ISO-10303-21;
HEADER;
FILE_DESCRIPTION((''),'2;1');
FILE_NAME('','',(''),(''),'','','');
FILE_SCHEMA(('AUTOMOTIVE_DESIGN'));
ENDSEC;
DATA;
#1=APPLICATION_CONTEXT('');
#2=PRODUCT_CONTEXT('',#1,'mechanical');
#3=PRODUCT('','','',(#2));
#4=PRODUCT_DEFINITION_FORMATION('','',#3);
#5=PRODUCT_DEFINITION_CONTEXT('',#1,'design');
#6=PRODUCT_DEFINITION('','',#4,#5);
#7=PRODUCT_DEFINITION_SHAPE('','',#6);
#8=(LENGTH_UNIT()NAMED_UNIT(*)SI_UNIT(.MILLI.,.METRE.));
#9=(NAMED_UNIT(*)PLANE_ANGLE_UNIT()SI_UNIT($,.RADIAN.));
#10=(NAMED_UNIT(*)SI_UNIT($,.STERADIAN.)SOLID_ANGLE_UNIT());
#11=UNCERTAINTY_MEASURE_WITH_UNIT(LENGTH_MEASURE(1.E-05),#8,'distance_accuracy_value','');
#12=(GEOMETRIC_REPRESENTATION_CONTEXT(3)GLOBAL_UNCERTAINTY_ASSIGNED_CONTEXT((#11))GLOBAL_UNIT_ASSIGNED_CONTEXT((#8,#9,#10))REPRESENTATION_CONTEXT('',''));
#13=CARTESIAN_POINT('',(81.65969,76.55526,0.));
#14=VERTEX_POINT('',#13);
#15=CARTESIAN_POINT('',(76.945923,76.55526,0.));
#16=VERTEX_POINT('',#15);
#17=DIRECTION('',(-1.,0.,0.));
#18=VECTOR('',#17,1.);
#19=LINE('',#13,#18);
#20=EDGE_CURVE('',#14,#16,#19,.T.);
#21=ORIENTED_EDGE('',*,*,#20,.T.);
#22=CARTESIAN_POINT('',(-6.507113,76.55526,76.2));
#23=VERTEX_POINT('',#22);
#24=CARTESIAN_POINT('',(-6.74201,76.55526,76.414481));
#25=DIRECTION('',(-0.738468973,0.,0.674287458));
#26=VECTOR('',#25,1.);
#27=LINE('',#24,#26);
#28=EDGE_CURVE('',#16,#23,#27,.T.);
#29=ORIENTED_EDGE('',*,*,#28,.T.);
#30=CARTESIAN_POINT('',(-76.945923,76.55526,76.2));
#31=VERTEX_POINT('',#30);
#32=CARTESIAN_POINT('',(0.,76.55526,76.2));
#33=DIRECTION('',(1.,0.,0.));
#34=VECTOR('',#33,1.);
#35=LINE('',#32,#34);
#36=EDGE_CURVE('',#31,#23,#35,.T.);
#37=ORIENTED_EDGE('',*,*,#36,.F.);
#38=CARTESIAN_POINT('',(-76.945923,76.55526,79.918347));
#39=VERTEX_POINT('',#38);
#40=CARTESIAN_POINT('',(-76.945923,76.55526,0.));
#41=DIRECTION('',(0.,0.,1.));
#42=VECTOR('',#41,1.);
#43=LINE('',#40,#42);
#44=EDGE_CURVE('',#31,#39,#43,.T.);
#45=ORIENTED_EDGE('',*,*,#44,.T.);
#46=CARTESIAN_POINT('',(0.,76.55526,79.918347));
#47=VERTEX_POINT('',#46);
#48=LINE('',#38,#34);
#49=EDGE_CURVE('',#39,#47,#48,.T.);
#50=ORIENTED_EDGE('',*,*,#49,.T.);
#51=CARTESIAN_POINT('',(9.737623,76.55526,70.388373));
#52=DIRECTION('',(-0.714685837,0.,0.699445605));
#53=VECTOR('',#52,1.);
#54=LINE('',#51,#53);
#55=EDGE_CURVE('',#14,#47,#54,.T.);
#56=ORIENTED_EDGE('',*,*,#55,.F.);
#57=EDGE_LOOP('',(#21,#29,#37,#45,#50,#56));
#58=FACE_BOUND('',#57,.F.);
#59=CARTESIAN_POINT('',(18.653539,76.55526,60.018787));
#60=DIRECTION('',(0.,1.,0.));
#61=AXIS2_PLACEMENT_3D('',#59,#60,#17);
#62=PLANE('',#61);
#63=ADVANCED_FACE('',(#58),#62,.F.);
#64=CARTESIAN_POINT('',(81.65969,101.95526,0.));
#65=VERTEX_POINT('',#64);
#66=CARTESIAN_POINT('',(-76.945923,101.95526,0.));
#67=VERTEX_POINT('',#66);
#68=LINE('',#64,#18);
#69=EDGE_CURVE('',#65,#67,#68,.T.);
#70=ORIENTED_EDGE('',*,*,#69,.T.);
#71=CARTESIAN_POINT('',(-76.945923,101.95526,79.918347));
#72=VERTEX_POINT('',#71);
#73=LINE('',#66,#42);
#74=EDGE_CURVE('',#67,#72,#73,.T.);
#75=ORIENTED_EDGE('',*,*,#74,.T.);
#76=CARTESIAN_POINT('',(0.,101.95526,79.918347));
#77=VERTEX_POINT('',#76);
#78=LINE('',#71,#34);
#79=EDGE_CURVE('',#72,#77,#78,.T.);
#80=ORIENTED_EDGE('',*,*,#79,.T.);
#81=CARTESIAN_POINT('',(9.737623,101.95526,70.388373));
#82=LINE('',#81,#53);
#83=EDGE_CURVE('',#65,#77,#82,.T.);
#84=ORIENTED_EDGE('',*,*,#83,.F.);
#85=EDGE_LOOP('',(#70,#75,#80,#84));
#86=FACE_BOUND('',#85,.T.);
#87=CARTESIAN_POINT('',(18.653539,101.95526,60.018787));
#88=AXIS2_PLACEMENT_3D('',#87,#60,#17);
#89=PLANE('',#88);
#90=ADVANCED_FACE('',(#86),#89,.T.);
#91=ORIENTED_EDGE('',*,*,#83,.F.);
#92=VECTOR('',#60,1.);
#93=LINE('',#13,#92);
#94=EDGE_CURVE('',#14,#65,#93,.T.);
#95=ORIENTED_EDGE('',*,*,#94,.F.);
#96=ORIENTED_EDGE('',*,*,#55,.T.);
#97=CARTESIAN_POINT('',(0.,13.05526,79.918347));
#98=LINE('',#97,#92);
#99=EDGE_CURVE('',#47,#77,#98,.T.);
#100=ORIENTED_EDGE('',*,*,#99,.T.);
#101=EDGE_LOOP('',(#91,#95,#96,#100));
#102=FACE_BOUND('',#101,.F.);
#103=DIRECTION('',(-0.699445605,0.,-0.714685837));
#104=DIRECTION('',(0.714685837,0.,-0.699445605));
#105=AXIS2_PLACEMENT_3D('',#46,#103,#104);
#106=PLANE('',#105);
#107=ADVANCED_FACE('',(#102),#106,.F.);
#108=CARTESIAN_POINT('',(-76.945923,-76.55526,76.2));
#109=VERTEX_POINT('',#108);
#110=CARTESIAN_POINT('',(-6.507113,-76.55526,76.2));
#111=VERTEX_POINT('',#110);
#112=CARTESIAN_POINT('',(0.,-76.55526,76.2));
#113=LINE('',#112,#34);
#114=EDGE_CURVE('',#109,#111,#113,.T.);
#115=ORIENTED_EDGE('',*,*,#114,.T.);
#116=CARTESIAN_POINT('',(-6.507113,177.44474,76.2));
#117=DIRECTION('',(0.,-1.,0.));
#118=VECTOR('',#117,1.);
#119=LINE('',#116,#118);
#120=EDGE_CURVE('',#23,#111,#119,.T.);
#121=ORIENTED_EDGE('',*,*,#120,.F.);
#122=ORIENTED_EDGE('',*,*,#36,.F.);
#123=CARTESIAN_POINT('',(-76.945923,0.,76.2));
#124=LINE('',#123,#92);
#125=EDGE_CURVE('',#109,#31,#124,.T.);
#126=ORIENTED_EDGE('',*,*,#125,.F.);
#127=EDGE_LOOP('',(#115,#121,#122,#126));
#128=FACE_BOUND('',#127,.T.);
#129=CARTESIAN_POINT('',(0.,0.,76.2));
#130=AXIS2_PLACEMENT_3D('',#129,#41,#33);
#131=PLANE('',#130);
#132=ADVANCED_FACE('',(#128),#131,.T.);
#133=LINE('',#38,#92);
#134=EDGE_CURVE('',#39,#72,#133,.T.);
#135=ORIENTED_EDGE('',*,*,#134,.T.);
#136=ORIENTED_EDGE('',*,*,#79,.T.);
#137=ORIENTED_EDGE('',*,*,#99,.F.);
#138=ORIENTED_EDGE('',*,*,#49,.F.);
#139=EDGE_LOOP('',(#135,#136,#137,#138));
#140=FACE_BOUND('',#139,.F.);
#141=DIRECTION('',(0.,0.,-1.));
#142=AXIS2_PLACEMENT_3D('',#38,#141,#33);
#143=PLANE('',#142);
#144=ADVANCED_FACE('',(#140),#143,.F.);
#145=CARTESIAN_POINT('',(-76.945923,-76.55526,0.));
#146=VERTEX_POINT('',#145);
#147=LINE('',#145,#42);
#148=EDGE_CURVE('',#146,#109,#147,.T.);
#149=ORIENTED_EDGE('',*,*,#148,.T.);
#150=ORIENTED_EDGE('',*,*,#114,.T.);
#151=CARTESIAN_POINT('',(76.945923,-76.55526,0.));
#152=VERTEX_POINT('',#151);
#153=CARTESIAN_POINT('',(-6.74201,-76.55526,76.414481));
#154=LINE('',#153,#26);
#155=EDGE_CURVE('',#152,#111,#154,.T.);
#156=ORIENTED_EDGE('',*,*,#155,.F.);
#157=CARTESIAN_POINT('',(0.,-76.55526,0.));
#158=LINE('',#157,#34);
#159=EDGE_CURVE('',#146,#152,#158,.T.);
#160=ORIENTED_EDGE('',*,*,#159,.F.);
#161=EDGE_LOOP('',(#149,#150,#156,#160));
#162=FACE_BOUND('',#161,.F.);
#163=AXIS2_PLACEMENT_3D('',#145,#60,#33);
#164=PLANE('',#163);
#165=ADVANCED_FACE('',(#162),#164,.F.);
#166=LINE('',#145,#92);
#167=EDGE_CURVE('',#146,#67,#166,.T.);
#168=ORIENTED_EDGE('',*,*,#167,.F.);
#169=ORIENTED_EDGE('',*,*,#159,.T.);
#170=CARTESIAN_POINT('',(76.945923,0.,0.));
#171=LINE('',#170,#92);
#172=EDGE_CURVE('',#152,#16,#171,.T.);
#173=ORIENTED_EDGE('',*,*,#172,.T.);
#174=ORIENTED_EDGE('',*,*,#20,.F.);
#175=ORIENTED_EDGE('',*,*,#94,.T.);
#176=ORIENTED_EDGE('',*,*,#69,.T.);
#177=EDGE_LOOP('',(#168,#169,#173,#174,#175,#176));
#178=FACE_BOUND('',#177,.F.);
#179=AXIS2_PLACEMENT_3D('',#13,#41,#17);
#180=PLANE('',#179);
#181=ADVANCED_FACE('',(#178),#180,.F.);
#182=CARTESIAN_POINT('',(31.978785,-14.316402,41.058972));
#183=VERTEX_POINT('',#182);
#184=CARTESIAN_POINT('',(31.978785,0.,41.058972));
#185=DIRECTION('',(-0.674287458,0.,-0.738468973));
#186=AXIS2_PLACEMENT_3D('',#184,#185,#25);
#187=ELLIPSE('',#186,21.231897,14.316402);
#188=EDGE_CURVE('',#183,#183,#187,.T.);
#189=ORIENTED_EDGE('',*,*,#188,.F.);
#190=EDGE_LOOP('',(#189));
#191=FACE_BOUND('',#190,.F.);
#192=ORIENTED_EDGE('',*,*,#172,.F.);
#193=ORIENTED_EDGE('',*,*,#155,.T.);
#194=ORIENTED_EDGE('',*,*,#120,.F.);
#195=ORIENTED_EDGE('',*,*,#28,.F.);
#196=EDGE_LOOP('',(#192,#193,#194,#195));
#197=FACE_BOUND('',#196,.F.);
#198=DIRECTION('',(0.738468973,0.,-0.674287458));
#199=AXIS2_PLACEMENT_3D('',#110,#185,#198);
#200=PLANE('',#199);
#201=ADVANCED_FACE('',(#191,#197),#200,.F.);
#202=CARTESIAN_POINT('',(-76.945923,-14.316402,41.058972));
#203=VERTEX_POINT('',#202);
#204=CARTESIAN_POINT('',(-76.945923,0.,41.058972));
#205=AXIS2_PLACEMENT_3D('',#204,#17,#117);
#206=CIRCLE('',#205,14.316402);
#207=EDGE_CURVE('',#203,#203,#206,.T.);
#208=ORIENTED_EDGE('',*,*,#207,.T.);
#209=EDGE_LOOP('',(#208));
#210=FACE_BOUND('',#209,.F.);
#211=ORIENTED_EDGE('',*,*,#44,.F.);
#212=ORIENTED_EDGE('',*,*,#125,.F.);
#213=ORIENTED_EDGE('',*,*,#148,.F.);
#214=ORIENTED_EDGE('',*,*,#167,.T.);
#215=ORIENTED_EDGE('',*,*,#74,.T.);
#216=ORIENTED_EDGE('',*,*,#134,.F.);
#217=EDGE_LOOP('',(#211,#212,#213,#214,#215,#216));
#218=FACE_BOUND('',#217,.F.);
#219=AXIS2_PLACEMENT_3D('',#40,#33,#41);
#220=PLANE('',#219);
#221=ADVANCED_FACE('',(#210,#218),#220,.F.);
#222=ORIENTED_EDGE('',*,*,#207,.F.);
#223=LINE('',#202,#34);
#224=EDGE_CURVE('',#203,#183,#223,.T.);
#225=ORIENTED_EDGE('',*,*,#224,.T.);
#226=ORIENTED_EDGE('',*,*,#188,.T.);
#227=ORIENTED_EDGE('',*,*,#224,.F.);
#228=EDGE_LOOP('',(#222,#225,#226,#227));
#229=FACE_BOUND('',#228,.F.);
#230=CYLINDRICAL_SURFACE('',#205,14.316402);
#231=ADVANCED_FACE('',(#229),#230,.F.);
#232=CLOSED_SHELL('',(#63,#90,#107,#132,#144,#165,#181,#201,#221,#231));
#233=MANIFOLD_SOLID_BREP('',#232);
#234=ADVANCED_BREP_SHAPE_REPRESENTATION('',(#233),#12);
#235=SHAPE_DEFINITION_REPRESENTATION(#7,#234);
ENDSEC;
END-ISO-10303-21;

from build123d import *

# Parameters (mm, degrees)
F0_W     = 153.8918465376
F0_H     = 153.1105190516
F1_DEPTH = 76.2
F3_DEPTH = 254
F4_R     = 14.3164019678
F5_DEPTH = 508
F7_DEPTH = 25.4
F9_DEPTH = 63.5


with BuildPart() as f1:
    # F0 (on Top) → F1 (new body)
    with BuildSketch(Plane.XY):
        Rectangle(F0_W, F0_H)
    extrude(amount=F1_DEPTH)

    # F2 (on face) → F3 (cut, symmetric)
    with BuildSketch(Plane.XZ.offset(76.5552595258)):
        Polygon((76.9459232688, 76.2), (-6.5071131103, 76.2), (76.9459232688, 0), align=None)
    extrude(amount=F3_DEPTH, both=True, mode=Mode.SUBTRACT)

    # F4 (on face) → F5 (cut)
    with BuildSketch(Plane(origin=(-76.9459232688, 0, 0), x_dir=(0, -1, 0), z_dir=(-1, 0, 0))):
        with Locations((0, 41.0589724779)):
            Circle(F4_R)
    extrude(amount=-F5_DEPTH, mode=Mode.SUBTRACT)

    # F6 (on face) → F7 (join)
    with BuildSketch(Plane(origin=(0, 76.5552595258, 0), x_dir=(-1, 0, 0), z_dir=(0, 1, 0))):
        Polygon((-81.6596895456, 0), (-76.9459232688, 0), (6.5071131103, 76.2), (76.9459232688, 76.2), (76.9459232688, 79.9183472991), (-81.6596895456, 79.9183472991), align=None)
        Polygon((-76.9459232688, 0), (76.9459232688, 0), (76.9459232688, 76.2), (6.5071131103, 76.2), align=None)
    extrude(amount=F7_DEPTH)

    # F8 (on face) → F9 (cut, symmetric)
    with BuildSketch(Plane.XZ.offset(-76.5552595258)):
        Polygon((0, 79.9183472991), (81.6596895456, 0), (81.6596895456, 79.9183472991), align=None)
    extrude(amount=F9_DEPTH, both=True, mode=Mode.SUBTRACT)


solid = f1.part
